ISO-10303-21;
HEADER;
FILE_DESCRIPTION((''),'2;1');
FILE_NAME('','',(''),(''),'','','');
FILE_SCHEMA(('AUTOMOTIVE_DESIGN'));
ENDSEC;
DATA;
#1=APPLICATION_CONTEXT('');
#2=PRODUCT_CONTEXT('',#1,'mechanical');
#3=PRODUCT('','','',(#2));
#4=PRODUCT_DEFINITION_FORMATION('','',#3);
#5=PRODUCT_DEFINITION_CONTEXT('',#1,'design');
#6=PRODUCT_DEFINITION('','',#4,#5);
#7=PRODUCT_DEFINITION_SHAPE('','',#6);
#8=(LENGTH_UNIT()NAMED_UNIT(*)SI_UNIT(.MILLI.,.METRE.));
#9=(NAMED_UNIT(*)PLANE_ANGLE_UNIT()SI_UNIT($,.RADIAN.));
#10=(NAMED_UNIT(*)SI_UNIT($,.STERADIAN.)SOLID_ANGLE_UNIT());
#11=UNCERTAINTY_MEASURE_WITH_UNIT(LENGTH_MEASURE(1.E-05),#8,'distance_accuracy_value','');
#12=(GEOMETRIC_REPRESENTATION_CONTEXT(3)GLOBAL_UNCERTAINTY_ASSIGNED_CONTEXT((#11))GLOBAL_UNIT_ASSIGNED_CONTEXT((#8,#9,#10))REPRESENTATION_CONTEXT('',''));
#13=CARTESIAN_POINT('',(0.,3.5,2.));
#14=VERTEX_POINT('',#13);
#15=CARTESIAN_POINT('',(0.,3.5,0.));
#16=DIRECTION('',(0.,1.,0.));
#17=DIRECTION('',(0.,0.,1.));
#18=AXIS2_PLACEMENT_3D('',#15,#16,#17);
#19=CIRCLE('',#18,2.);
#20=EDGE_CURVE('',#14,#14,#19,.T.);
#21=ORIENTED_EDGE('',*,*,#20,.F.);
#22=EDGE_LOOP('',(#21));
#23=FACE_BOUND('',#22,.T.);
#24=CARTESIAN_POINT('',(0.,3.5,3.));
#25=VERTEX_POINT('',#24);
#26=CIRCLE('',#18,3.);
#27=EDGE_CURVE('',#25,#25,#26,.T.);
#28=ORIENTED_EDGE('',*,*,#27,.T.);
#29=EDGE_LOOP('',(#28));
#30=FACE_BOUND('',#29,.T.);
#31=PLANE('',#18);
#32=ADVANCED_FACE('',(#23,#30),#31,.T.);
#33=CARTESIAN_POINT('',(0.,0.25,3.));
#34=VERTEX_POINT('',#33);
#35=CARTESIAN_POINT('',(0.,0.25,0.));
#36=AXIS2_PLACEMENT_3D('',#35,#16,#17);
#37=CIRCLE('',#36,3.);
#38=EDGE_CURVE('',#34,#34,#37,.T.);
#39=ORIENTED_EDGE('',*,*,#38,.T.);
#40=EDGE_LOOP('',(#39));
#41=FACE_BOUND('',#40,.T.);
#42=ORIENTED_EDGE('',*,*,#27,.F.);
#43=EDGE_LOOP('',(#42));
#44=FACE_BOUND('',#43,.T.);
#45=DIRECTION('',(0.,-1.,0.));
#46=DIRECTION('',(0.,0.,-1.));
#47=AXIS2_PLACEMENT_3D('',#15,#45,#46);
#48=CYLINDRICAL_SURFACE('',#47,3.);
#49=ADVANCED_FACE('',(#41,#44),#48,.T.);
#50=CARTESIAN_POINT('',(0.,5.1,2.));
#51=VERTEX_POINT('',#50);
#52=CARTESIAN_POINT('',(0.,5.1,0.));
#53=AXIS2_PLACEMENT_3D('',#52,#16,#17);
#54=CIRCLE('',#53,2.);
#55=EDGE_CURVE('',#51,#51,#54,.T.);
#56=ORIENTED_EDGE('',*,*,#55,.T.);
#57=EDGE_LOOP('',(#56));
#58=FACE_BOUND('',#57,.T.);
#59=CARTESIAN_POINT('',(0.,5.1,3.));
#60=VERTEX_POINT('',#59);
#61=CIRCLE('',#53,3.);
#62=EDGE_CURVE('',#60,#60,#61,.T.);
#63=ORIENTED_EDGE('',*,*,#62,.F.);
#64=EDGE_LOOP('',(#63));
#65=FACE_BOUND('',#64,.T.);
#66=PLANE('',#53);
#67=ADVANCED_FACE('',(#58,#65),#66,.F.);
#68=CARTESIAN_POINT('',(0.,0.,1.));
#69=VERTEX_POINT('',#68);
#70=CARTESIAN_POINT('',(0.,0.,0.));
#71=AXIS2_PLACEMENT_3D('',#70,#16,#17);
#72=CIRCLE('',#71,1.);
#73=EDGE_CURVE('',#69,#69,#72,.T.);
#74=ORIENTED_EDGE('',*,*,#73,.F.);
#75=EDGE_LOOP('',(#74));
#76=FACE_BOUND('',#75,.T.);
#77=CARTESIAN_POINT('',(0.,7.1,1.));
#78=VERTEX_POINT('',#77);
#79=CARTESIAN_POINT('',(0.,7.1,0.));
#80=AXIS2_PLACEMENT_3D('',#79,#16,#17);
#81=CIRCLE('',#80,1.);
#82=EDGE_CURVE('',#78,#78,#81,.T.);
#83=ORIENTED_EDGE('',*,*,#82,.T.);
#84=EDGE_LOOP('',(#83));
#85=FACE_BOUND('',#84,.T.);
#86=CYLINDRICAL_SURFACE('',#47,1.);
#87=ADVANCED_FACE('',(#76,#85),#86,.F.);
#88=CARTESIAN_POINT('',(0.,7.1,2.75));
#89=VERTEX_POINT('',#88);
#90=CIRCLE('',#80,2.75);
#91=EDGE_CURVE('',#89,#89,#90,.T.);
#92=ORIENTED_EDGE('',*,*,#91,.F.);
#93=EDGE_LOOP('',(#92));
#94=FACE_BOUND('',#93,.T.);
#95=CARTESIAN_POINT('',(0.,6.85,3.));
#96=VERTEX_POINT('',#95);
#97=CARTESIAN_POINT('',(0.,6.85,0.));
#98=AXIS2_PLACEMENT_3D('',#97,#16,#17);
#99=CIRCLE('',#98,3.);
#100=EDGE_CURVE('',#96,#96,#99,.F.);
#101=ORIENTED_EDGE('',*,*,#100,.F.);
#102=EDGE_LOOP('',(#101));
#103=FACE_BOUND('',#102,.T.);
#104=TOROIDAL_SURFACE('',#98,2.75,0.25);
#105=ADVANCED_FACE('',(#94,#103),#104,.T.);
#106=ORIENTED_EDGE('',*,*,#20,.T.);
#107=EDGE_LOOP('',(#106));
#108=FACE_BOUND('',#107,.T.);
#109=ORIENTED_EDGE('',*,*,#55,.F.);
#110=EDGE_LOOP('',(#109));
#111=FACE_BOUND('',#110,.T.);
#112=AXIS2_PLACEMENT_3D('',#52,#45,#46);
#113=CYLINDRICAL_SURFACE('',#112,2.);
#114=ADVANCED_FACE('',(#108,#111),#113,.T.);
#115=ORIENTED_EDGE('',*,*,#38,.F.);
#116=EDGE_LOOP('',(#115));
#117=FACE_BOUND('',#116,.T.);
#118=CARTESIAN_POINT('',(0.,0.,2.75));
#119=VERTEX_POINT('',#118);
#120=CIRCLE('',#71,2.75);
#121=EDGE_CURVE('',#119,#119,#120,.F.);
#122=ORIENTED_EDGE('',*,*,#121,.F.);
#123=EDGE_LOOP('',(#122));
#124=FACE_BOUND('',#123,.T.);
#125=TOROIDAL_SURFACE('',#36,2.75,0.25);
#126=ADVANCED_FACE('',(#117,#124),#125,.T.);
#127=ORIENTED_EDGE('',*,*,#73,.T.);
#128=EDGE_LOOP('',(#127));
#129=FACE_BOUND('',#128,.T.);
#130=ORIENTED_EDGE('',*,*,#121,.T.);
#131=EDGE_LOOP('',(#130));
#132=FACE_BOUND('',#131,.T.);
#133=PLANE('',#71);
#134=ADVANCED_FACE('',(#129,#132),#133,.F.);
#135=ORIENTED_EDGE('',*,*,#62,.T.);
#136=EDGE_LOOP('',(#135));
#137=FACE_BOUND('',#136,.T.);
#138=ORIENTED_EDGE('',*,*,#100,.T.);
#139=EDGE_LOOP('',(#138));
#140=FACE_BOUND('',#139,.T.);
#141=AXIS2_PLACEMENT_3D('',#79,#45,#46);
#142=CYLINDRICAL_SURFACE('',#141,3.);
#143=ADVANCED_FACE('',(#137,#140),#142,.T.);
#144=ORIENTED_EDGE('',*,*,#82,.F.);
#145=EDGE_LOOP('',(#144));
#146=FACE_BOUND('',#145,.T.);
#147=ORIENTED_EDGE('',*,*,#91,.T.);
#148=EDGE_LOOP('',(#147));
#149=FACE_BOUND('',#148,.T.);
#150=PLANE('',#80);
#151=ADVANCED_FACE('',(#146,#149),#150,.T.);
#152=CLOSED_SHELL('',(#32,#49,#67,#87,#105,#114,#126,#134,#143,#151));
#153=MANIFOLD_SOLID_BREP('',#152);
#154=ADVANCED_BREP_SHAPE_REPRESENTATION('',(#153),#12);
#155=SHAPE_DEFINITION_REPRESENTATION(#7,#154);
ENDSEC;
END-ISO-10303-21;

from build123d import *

# Parameters (mm, degrees)
SKETCH1_R           = 3
SKETCH1_R_2         = 1
BOSS_EXTRUDE1_DEPTH = 3.5
SKETCH2_R           = 2
SKETCH2_R_2         = 1
BOSS_EXTRUDE2_DEPTH = 1.6
SKETCH3_R           = 3
SKETCH3_R_2         = 1
BOSS_EXTRUDE3_DEPTH = 2
FILLET1_R           = 0.25


with BuildPart() as part:
    # Sketch1 → Boss-Extrude1 (new body)
    with BuildSketch(Plane(origin=(0, 0, 0), x_dir=(1, 0, 0), z_dir=(0, 1, 0))):
        Circle(SKETCH1_R)
        Circle(SKETCH1_R_2, mode=Mode.SUBTRACT)
    extrude(amount=BOSS_EXTRUDE1_DEPTH)

    # Sketch2 → Boss-Extrude2 (add)
    with BuildSketch(Plane(origin=(0, 3.5, 0), x_dir=(1, 0, 0), z_dir=(0, 1, 0))):
        Circle(SKETCH2_R)
        Circle(SKETCH2_R_2, mode=Mode.SUBTRACT)
    extrude(amount=BOSS_EXTRUDE2_DEPTH)

    # Sketch3 → Boss-Extrude3 (add)
    with BuildSketch(Plane(origin=(0, 5.1, 0), x_dir=(1, 0, 0), z_dir=(0, 1, 0))):
        Circle(SKETCH3_R)
        Circle(SKETCH3_R_2, mode=Mode.SUBTRACT)
    extrude(amount=BOSS_EXTRUDE3_DEPTH)

    # Fillet1
    fillet1_edges = [part.edges().sort_by_distance(p)[0] for p in [
        (-3, 7.1, 0),
        (-3, 0, 0),
    ]]
    fillet(fillet1_edges, radius=FILLET1_R)


solid = part.part
